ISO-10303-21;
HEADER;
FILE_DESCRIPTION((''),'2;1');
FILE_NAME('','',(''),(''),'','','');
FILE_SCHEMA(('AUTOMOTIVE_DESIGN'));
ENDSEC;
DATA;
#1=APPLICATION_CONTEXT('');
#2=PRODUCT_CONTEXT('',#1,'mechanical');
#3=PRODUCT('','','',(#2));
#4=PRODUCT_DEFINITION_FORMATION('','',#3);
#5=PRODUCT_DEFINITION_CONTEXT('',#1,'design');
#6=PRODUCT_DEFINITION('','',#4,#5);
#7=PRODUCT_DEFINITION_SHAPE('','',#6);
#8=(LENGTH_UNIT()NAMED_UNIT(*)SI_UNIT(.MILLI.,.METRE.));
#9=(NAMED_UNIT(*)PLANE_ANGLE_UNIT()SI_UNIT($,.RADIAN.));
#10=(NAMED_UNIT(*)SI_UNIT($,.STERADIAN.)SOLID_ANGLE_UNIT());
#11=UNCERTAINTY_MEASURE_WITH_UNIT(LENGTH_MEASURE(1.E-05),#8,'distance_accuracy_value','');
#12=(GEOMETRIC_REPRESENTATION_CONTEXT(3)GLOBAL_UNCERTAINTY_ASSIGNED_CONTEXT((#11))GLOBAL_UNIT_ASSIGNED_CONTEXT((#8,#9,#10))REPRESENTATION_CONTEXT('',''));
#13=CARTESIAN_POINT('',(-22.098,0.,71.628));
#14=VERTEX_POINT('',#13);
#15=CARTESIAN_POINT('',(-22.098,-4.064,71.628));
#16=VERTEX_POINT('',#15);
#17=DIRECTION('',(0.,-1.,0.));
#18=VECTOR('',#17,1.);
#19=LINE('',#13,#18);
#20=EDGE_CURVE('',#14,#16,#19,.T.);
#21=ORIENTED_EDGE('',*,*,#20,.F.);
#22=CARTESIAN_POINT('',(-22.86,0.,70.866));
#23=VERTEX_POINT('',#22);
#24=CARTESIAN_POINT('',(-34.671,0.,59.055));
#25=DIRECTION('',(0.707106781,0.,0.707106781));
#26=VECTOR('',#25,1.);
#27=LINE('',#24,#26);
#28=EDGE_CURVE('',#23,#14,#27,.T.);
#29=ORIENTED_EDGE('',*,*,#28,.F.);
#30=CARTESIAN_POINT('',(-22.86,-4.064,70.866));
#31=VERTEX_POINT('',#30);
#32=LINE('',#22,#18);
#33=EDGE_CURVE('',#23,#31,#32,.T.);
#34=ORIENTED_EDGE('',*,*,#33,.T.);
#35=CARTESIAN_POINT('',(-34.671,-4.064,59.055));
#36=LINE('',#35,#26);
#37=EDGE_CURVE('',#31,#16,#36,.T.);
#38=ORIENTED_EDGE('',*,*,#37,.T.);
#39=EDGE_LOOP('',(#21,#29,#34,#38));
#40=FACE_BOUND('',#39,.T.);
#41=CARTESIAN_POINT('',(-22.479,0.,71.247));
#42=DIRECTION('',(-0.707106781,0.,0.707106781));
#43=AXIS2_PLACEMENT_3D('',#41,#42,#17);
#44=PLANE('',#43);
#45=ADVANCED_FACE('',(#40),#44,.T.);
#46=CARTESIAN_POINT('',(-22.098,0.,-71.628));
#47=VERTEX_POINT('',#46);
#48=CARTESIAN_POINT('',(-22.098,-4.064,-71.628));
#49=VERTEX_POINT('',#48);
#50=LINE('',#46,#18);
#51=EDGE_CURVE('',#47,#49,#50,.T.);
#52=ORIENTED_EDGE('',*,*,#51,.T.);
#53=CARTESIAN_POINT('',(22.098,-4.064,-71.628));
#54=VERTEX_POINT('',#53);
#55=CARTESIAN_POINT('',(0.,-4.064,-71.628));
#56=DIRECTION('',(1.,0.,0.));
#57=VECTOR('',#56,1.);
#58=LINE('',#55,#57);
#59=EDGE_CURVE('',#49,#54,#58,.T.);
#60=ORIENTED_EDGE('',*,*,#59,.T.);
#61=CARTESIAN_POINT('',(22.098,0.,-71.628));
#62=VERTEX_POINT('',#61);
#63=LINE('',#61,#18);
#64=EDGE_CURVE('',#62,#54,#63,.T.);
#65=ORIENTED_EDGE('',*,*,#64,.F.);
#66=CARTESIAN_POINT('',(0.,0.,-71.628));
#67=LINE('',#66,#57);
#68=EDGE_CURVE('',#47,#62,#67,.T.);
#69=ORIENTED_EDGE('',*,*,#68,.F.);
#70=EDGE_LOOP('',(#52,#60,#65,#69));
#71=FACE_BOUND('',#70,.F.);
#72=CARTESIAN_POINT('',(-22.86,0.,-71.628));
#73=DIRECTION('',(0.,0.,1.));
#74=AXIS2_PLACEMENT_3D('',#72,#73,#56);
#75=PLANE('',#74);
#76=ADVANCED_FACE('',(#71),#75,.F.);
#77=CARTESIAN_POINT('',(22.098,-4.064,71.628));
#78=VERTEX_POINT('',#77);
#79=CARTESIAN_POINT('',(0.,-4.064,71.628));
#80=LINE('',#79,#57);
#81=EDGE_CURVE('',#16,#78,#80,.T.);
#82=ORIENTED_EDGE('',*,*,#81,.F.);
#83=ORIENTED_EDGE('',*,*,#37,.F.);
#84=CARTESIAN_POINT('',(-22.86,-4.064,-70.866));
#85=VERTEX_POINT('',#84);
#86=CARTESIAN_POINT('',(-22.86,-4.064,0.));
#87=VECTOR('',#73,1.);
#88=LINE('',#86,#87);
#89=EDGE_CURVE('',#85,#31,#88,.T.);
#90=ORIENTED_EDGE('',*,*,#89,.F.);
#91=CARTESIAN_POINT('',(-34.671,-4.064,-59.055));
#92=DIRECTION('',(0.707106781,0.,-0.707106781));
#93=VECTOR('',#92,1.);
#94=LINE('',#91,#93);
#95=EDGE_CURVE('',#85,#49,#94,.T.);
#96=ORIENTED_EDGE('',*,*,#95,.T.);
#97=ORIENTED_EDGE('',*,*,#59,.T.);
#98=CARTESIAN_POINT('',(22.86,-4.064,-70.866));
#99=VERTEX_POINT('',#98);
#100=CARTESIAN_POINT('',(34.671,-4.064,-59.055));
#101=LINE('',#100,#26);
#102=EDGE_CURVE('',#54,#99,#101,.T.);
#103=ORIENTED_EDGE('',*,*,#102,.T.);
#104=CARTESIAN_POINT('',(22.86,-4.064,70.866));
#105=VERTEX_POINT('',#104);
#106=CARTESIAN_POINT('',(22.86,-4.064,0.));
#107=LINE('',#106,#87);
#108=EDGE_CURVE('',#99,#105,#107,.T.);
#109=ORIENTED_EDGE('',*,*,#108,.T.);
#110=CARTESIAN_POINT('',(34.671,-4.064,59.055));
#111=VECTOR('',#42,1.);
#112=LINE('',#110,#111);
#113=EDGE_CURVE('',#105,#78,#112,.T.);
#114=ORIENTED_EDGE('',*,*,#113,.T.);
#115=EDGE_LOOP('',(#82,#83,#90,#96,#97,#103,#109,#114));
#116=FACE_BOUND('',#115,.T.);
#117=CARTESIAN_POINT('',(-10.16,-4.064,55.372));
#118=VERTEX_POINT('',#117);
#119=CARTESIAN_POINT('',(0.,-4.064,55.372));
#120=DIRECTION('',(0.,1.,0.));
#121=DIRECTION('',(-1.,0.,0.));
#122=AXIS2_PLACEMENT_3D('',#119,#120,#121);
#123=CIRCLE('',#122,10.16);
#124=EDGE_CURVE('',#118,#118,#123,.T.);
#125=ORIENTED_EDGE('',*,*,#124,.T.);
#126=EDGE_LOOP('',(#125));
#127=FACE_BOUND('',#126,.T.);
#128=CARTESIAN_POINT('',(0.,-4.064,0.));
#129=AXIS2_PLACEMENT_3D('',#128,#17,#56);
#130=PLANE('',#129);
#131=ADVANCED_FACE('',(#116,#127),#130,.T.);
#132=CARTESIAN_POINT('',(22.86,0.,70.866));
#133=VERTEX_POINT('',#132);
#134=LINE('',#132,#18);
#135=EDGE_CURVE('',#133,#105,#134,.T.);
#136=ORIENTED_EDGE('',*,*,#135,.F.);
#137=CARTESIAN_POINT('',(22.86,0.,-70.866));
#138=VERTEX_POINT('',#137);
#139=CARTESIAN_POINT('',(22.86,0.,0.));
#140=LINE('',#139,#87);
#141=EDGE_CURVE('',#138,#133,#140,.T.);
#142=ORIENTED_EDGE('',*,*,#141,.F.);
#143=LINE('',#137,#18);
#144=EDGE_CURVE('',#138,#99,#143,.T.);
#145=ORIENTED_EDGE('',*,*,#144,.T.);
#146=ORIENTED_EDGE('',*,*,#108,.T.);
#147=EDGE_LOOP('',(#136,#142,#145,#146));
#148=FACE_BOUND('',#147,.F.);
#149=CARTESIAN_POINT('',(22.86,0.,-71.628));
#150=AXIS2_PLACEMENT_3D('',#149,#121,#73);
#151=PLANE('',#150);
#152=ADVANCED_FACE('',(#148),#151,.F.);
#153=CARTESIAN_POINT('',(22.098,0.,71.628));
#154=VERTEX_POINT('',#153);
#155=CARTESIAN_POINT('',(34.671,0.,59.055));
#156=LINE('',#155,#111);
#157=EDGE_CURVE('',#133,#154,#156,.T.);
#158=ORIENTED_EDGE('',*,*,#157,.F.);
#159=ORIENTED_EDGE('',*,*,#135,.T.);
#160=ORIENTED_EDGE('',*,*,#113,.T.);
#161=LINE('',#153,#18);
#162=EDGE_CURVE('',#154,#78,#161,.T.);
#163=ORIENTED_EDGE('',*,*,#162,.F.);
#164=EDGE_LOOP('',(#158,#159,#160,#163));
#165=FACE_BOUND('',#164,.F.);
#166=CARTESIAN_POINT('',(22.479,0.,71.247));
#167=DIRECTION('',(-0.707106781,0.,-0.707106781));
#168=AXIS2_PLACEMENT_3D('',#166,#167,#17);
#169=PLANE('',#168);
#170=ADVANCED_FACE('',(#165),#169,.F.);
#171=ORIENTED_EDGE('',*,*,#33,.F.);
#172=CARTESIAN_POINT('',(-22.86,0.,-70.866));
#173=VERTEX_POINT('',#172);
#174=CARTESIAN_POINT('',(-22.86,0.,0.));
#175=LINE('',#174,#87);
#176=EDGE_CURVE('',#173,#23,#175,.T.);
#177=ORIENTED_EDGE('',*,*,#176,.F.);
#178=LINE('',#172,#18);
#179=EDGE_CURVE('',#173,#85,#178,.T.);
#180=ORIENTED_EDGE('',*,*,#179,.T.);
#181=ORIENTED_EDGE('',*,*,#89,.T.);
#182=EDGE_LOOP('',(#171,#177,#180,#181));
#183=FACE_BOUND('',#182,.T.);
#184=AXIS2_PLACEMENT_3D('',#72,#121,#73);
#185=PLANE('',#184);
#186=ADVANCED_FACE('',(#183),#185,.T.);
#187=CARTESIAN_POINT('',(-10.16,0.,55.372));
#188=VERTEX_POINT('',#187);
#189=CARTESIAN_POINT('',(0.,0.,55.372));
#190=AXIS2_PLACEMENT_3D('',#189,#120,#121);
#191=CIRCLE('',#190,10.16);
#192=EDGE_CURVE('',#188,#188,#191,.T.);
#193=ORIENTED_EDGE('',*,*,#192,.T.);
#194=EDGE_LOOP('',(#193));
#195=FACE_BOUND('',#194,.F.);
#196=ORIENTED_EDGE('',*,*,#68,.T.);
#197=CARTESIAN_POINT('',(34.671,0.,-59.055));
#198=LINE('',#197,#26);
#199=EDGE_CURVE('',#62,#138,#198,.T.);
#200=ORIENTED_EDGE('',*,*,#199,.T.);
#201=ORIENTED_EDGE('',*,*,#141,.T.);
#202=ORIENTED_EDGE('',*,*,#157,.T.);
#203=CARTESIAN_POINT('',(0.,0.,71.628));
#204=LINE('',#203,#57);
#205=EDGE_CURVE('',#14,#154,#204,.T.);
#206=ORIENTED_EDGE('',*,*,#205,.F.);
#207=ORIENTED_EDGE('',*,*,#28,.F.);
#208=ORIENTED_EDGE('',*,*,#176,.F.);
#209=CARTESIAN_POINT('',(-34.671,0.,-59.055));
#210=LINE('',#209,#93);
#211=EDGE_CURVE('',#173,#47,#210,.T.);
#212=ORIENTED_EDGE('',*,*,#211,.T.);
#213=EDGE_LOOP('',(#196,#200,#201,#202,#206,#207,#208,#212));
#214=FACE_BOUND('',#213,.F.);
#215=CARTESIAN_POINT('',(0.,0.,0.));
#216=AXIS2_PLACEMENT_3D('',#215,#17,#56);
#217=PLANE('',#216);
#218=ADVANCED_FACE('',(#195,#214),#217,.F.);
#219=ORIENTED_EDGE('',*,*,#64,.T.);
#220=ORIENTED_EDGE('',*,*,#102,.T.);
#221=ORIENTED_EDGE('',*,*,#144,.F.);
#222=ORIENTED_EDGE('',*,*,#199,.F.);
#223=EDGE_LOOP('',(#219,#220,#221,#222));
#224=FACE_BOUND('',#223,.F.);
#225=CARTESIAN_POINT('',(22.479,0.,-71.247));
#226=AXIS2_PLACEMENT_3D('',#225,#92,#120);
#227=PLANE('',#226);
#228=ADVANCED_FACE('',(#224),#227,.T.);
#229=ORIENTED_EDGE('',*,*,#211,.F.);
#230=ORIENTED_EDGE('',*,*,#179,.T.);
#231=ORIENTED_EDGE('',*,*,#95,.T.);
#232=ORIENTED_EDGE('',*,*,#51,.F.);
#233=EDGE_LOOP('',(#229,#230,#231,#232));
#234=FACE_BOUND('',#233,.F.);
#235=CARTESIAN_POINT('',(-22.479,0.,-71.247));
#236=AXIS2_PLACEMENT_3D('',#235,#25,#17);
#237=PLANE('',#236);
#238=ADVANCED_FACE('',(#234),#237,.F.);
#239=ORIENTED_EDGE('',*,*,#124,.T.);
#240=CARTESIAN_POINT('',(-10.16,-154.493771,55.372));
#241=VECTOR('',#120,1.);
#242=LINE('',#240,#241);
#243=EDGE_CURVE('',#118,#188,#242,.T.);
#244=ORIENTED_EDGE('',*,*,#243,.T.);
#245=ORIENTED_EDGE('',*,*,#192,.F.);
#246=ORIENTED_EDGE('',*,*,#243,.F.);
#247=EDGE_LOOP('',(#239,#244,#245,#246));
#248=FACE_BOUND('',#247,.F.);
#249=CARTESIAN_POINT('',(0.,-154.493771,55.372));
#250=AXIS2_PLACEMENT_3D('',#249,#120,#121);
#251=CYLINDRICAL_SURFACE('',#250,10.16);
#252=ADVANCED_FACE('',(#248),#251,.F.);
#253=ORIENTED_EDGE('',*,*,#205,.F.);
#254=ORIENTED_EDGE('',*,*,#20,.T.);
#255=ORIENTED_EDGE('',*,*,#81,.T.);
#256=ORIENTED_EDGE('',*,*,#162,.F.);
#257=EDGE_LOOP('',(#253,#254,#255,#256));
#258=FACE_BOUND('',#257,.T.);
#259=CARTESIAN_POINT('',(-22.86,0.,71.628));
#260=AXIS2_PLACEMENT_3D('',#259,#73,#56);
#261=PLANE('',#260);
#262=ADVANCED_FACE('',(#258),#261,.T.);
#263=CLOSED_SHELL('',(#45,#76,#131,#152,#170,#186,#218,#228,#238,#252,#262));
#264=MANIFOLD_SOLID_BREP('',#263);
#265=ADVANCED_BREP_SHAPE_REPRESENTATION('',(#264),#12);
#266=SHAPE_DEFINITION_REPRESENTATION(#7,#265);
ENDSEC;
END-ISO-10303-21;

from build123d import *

# Parameters (mm, degrees)
F0_W     = 45.72
F0_H     = 143.256
F1_DEPTH = 4.064
F2_SIZE2 = 0.762
F2_SIZE  = 0.762
F4_D     = 20.32


with BuildPart() as f1:
    # F0 (on Front) → F1 (new body)
    with BuildSketch(Plane.XZ):
        Rectangle(F0_W, F0_H)
    extrude(amount=F1_DEPTH)

    # F2
    f2_edges = [f1.edges().sort_by_distance(p)[0] for p in [
        (22.86, -2.032, 71.628),
        (-22.86, -2.032, 71.628),
        (-22.86, -2.032, -71.628),
        (22.86, -2.032, -71.628),
    ]]
    chamfer(f2_edges, length=F2_SIZE, length2=F2_SIZE2)

    # F4 (through all)
    with Locations(Plane.XZ.offset(4.064)):
        with Locations((0, 55.372)):
            Hole(F4_D / 2)


solid = f1.part
